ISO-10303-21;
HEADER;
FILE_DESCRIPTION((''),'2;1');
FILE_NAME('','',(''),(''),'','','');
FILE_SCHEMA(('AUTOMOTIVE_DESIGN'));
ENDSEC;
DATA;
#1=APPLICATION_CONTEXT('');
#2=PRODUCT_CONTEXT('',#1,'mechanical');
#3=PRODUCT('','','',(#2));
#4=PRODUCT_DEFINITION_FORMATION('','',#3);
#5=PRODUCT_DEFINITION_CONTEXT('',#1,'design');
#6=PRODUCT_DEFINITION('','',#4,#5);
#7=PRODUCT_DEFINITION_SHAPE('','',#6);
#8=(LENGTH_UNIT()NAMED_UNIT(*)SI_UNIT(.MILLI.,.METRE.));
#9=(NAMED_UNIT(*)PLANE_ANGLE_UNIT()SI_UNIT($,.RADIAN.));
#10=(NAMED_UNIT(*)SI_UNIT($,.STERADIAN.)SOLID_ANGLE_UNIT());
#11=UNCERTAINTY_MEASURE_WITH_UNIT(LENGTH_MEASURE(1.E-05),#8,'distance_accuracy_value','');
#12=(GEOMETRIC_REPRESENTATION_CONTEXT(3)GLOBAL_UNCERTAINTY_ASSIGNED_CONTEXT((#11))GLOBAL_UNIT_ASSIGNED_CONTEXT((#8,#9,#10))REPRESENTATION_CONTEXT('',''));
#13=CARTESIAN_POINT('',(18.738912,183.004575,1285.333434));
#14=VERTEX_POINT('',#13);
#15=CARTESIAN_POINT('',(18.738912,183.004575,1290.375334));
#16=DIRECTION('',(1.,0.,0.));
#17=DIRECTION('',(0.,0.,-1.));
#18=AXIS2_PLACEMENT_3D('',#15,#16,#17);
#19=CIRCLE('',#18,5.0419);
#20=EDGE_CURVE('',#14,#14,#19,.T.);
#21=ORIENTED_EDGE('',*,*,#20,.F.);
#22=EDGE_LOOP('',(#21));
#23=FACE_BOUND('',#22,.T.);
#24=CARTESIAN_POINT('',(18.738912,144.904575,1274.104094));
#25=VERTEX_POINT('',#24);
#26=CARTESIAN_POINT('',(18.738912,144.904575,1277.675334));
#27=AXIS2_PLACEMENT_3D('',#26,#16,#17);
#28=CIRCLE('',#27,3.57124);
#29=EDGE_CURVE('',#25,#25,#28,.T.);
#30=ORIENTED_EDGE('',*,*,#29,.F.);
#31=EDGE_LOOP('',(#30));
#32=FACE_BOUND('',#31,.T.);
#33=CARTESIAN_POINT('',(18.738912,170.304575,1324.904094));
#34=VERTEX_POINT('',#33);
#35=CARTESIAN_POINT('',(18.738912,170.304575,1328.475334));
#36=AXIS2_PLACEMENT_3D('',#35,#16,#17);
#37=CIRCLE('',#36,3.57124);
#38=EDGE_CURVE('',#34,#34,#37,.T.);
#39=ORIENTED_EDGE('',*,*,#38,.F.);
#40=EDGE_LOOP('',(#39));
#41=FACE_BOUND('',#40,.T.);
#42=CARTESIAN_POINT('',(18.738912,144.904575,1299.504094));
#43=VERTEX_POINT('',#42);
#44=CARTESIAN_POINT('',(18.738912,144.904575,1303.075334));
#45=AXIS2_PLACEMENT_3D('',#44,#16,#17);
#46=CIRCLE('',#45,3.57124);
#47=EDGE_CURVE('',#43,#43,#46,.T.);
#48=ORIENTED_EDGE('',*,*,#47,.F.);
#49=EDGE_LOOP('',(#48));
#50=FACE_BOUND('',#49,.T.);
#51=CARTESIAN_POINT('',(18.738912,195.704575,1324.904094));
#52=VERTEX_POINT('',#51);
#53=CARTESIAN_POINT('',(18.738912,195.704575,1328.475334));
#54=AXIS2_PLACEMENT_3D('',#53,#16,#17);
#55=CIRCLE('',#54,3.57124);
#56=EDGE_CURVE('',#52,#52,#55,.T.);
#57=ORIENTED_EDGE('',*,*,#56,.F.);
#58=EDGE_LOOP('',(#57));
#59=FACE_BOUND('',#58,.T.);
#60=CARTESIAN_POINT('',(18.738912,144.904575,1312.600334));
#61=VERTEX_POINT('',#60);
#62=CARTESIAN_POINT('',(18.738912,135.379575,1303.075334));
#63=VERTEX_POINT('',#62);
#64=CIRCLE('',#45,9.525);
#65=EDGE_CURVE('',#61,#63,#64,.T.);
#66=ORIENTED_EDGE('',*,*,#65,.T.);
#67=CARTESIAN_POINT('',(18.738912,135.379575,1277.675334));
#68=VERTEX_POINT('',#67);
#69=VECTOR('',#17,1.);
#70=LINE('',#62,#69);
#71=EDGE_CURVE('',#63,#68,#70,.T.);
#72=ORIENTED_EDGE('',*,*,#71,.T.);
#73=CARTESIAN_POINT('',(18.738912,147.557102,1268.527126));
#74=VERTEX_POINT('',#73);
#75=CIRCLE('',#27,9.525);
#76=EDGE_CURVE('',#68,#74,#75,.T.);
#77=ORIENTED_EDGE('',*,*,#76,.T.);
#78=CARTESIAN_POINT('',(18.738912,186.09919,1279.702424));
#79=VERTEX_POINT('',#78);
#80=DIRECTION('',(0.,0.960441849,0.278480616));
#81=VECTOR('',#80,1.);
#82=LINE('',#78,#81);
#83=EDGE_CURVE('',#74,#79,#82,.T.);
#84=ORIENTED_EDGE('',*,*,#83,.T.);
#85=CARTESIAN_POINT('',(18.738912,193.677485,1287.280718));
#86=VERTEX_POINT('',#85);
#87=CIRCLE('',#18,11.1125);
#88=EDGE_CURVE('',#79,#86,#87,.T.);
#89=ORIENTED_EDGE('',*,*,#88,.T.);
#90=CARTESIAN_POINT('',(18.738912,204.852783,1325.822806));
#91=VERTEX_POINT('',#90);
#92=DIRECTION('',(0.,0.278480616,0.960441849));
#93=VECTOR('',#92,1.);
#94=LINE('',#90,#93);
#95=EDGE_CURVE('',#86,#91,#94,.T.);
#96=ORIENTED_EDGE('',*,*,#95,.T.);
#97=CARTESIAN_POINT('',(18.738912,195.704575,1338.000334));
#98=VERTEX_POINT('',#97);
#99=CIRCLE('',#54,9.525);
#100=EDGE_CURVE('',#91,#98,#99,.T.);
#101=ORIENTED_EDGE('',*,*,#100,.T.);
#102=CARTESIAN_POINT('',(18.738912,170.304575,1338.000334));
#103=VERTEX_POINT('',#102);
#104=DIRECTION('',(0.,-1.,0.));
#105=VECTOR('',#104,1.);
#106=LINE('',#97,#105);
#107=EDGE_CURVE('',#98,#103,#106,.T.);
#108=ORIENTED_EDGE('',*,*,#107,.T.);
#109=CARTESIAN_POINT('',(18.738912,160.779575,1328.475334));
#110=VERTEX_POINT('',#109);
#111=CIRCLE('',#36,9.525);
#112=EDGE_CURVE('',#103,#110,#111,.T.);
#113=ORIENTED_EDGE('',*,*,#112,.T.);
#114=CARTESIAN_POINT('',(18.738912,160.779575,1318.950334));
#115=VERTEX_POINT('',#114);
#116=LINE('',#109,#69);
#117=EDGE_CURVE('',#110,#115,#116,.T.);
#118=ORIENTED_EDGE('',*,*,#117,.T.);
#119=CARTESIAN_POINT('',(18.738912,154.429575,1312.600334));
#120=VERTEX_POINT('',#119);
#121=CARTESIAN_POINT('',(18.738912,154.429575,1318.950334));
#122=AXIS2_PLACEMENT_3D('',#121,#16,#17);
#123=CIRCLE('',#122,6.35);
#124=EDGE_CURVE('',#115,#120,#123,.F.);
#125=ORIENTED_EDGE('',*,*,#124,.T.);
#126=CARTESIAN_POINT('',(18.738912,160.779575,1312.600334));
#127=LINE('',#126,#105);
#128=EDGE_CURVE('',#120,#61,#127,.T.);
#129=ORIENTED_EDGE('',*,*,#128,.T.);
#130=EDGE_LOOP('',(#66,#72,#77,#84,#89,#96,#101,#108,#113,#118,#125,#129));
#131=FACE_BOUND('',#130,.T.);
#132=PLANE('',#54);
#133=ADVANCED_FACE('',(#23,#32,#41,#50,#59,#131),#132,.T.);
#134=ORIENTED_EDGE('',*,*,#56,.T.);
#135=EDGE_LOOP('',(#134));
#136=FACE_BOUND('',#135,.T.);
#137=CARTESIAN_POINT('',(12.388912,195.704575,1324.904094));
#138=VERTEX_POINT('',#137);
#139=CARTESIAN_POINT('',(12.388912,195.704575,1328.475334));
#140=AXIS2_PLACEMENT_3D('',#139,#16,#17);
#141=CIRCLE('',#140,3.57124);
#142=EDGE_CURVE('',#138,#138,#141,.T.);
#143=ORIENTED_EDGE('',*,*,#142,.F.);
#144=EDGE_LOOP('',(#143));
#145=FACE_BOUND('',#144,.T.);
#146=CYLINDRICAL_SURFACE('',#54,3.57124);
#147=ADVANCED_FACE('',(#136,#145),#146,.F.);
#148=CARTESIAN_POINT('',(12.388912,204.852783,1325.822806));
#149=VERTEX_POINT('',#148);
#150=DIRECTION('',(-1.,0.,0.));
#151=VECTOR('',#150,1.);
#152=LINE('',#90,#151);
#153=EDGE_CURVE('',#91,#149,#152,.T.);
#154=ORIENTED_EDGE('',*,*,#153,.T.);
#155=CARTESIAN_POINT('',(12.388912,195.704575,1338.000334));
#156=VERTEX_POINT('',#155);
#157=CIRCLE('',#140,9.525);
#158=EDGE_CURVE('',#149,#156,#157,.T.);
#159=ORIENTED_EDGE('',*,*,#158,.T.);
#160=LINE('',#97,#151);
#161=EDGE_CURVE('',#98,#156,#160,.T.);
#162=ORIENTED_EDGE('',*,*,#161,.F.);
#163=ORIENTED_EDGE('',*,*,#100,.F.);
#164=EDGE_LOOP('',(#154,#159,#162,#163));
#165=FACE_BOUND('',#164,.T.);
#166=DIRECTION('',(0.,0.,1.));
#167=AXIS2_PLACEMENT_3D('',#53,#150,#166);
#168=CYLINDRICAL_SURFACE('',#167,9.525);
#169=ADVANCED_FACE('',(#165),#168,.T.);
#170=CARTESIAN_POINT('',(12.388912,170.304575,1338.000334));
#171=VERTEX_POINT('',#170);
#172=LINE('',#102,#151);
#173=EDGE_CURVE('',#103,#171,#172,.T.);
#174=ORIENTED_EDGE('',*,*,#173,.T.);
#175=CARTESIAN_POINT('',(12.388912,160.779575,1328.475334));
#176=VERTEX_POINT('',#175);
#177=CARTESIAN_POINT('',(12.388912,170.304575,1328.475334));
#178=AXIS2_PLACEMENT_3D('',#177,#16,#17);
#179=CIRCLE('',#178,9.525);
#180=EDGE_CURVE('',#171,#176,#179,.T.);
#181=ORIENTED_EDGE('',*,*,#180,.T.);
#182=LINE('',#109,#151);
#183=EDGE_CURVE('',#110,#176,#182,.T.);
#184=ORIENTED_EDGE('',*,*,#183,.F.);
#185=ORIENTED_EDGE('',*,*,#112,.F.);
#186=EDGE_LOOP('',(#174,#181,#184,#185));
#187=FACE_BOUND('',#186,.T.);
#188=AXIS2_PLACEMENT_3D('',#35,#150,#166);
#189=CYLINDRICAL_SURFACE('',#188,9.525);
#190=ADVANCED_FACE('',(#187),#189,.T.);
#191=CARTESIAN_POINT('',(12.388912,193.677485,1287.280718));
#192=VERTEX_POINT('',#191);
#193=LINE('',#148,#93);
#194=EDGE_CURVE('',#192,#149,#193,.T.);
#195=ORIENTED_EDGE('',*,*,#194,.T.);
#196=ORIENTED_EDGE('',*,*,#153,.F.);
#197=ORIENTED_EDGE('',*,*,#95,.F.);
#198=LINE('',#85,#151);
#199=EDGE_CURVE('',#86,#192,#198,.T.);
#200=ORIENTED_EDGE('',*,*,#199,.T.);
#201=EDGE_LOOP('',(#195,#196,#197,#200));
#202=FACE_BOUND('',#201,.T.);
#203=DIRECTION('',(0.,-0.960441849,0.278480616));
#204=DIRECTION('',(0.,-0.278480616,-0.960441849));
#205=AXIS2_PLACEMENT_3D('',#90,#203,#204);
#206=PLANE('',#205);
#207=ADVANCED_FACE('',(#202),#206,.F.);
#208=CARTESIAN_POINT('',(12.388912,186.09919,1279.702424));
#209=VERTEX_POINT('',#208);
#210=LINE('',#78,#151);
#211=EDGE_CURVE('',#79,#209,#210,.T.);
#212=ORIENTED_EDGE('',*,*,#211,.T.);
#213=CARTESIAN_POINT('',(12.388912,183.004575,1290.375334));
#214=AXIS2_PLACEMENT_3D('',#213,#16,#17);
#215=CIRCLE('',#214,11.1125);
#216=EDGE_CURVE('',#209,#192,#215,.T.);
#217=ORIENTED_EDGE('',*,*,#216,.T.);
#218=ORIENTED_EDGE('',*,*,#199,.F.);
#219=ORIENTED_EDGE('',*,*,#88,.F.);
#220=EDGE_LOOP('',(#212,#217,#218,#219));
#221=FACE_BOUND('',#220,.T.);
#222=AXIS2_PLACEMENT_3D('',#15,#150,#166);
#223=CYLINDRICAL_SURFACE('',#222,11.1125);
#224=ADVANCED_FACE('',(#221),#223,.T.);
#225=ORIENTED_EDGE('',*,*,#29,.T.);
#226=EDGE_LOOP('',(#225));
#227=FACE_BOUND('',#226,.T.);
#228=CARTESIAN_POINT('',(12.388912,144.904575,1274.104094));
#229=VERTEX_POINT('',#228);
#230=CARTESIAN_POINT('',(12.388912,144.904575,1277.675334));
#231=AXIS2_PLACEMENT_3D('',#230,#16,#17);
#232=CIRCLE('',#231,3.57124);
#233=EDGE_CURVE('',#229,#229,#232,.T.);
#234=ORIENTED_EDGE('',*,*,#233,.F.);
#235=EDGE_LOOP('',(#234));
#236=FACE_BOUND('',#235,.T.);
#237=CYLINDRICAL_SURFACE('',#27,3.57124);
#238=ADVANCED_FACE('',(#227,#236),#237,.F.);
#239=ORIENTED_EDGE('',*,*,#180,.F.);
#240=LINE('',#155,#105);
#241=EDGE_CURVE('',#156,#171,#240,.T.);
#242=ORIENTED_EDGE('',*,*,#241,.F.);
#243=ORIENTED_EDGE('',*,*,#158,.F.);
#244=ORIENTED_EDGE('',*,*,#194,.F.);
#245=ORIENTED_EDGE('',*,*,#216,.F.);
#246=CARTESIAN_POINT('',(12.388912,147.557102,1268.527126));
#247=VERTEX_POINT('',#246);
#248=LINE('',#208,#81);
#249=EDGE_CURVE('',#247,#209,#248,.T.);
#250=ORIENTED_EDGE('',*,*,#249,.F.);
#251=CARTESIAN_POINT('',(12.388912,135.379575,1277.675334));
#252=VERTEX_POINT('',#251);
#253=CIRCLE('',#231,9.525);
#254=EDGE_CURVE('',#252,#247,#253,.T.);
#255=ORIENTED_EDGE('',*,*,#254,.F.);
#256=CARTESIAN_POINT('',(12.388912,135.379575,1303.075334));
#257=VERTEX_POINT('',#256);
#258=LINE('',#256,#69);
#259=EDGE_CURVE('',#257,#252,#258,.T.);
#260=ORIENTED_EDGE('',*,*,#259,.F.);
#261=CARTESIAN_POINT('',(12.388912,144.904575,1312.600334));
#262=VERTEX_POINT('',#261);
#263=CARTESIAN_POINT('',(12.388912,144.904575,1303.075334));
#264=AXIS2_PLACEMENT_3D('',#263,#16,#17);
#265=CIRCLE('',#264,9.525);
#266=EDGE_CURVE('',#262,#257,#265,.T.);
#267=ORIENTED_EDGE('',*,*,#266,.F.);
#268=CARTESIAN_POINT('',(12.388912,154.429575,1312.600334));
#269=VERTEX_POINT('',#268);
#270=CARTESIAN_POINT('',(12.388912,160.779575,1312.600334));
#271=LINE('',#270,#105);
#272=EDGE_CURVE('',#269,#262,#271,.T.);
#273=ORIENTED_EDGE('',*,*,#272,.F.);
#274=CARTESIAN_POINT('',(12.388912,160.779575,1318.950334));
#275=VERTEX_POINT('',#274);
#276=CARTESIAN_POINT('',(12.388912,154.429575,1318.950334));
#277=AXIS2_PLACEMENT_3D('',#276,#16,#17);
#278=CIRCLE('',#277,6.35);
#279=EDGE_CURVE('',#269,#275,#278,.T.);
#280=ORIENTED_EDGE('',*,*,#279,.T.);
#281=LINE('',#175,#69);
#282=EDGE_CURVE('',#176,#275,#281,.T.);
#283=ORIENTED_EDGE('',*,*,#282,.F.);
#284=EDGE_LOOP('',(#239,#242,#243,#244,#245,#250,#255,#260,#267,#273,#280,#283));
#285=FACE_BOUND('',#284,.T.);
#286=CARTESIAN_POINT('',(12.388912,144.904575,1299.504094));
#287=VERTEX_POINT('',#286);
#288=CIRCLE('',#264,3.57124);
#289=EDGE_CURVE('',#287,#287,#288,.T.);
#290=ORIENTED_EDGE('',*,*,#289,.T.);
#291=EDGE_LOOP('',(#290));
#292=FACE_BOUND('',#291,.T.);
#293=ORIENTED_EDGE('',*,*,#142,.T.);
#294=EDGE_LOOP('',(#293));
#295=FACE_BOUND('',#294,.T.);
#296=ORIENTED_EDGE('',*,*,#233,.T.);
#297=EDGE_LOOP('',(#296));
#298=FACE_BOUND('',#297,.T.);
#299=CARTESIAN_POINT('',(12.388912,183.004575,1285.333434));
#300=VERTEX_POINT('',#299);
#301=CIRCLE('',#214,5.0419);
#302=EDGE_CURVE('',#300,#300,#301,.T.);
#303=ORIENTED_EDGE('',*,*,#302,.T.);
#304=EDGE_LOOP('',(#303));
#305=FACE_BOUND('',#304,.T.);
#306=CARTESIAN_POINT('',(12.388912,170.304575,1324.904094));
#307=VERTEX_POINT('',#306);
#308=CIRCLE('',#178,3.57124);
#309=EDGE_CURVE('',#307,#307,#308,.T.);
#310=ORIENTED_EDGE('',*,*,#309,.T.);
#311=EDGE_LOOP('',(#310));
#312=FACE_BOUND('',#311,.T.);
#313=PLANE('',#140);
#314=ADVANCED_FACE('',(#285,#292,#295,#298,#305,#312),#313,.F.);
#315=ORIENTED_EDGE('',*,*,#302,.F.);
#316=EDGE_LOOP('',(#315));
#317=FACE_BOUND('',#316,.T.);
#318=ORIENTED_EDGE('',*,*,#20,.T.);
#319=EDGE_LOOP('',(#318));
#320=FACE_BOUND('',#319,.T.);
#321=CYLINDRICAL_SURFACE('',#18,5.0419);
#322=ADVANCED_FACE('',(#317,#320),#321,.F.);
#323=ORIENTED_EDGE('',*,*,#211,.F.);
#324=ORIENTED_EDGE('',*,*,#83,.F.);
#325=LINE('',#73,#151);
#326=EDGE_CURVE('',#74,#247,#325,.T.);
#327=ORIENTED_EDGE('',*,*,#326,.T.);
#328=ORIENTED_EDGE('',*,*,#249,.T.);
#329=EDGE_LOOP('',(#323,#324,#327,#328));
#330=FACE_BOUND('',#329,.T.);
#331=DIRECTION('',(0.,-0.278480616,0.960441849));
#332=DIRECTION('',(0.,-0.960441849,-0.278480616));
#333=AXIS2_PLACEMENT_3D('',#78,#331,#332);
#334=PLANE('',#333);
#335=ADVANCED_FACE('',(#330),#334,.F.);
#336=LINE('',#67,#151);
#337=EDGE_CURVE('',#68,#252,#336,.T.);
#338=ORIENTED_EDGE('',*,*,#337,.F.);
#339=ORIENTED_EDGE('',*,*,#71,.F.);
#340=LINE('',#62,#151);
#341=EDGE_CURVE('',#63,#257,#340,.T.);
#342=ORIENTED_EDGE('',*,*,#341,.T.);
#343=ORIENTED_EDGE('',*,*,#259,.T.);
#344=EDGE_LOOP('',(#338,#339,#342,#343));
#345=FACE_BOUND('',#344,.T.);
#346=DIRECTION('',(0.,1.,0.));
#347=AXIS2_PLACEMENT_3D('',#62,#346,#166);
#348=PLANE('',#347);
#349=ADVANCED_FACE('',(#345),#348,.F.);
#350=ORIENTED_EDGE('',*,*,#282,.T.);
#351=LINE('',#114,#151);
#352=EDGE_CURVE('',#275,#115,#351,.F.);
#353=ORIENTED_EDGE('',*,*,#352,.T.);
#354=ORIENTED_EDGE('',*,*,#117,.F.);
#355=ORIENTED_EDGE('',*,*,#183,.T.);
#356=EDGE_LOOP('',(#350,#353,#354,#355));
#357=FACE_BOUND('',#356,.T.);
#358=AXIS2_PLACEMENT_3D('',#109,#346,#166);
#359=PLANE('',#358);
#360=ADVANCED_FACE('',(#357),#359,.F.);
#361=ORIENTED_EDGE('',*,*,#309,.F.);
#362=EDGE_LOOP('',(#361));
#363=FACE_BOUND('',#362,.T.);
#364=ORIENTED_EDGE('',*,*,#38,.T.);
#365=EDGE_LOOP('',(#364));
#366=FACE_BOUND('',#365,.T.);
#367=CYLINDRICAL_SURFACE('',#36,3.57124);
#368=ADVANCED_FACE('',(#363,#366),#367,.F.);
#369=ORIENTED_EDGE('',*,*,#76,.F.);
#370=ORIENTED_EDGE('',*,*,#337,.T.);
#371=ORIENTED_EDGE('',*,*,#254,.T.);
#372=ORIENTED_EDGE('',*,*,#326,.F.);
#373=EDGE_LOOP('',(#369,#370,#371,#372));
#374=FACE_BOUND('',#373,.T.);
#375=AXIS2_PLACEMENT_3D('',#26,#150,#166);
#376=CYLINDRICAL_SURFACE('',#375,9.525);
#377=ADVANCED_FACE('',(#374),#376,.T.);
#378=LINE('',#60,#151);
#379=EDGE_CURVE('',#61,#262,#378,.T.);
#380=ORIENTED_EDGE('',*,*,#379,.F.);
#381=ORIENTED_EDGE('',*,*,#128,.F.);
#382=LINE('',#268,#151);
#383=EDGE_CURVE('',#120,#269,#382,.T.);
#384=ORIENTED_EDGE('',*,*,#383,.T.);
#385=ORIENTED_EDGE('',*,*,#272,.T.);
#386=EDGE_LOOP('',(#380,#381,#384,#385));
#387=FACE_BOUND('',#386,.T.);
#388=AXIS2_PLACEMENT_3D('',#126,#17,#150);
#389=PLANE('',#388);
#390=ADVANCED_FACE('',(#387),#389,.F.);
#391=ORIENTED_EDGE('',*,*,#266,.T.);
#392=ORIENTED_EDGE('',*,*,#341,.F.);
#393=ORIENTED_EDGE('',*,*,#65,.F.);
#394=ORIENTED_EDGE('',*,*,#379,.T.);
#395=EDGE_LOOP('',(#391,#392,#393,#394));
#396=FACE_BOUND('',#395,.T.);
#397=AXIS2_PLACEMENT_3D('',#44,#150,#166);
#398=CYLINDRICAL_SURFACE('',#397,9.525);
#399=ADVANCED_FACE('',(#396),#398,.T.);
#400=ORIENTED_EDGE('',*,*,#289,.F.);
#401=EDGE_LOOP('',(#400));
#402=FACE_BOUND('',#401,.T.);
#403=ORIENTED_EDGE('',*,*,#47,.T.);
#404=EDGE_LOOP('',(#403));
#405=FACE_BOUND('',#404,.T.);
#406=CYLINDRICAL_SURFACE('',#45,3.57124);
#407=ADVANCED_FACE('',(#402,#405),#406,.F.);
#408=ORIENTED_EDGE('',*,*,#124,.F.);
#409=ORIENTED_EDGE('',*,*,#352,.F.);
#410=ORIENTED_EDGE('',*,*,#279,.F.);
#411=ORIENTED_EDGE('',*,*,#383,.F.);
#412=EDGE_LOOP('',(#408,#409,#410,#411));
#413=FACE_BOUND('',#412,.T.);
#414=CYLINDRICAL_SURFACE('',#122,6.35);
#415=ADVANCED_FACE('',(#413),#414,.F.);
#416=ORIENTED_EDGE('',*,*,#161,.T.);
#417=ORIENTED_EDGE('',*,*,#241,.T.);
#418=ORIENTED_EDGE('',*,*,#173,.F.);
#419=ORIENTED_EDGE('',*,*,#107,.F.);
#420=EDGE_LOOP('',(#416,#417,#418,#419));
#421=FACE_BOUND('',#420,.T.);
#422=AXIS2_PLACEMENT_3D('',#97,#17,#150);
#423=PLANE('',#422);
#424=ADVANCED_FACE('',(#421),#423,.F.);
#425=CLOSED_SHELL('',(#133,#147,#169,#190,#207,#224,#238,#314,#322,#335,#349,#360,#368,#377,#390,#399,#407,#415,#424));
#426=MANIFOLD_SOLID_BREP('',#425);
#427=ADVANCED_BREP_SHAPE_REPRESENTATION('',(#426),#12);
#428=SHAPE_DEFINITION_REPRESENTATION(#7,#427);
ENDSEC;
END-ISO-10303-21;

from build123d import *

# Parameters (mm, degrees)
BOSS_EXTRUDE1_START     = 12.388912
BOSS_EXTRUDE1_DEPTH     = 6.35
F_3_8_CLEARANCE_HOLE1_D = 10.0838
F_1_4_CLEARANCE_HOLE1_D = 7.14248
FILLET1_R               = 6.35


with BuildPart() as part:
    # Sketch1 → Boss-Extrude1 (new body)
    with BuildSketch(Plane(origin=(0, 0, 0), x_dir=(0, 0, -1), z_dir=(1, 0, 0)).offset(BOSS_EXTRUDE1_START)):
        with BuildLine():
            Line((-1338.000334154, 195.704574554), (-1338.000334154, 170.304574554))
            ThreePointArc((-1338.000334154, 170.304574554), (-1335.210526245, 163.569382463), (-1328.475334154, 160.779574554))
            Line((-1328.475334154, 160.779574554), (-1312.600334154, 160.779574554))
            Line((-1312.600334154, 160.779574554), (-1312.600334154, 144.904574554))
            ThreePointArc((-1312.600334154, 144.904574554), (-1309.810526245, 138.169382463), (-1303.075334154, 135.379574554))
            Line((-1303.075334154, 135.379574554), (-1277.675334154, 135.379574554))
            ThreePointArc((-1277.675334154, 135.379574554), (-1270.059858037, 139.183547679), (-1268.527125538, 147.557102426))
            Line((-1268.527125538, 147.557102426), (-1279.702424102, 186.099190405))
            ThreePointArc((-1279.702424102, 186.099190405), (-1282.517610048, 190.86229866), (-1287.280718303, 193.677484606))
            Line((-1287.280718303, 193.677484606), (-1325.822806282, 204.85278317))
            ThreePointArc((-1325.822806282, 204.85278317), (-1334.196361029, 203.320050671), (-1338.000334154, 195.704574554))
        make_face()
    extrude(amount=BOSS_EXTRUDE1_DEPTH)

    # 3/8 Clearance Hole1 (through all)
    with Locations(Plane(origin=(18.738912484, 0, 0), x_dir=(0, 0, -1), z_dir=(1, 0, 0))):
        with Locations((-1290.375334154, 183.004574554)):
            Hole(F_3_8_CLEARANCE_HOLE1_D / 2)

    # 1/4 Clearance Hole1 (through all)
    with Locations(Plane(origin=(18.738912484, 0, 0), x_dir=(0, 0, -1), z_dir=(1, 0, 0))):
        with Locations((-1303.075334154, 144.904574554), (-1277.675334154, 144.904574554), (-1328.475334154, 170.304574554), (-1328.475334154, 195.704574554)):
            Hole(F_1_4_CLEARANCE_HOLE1_D / 2)

    # Fillet1
    fillet1_edges = [part.edges().sort_by_distance(p)[0] for p in [
        (15.563912, 160.779574554, 1312.600334154),
    ]]
    fillet(fillet1_edges, radius=FILLET1_R)


solid = part.part
